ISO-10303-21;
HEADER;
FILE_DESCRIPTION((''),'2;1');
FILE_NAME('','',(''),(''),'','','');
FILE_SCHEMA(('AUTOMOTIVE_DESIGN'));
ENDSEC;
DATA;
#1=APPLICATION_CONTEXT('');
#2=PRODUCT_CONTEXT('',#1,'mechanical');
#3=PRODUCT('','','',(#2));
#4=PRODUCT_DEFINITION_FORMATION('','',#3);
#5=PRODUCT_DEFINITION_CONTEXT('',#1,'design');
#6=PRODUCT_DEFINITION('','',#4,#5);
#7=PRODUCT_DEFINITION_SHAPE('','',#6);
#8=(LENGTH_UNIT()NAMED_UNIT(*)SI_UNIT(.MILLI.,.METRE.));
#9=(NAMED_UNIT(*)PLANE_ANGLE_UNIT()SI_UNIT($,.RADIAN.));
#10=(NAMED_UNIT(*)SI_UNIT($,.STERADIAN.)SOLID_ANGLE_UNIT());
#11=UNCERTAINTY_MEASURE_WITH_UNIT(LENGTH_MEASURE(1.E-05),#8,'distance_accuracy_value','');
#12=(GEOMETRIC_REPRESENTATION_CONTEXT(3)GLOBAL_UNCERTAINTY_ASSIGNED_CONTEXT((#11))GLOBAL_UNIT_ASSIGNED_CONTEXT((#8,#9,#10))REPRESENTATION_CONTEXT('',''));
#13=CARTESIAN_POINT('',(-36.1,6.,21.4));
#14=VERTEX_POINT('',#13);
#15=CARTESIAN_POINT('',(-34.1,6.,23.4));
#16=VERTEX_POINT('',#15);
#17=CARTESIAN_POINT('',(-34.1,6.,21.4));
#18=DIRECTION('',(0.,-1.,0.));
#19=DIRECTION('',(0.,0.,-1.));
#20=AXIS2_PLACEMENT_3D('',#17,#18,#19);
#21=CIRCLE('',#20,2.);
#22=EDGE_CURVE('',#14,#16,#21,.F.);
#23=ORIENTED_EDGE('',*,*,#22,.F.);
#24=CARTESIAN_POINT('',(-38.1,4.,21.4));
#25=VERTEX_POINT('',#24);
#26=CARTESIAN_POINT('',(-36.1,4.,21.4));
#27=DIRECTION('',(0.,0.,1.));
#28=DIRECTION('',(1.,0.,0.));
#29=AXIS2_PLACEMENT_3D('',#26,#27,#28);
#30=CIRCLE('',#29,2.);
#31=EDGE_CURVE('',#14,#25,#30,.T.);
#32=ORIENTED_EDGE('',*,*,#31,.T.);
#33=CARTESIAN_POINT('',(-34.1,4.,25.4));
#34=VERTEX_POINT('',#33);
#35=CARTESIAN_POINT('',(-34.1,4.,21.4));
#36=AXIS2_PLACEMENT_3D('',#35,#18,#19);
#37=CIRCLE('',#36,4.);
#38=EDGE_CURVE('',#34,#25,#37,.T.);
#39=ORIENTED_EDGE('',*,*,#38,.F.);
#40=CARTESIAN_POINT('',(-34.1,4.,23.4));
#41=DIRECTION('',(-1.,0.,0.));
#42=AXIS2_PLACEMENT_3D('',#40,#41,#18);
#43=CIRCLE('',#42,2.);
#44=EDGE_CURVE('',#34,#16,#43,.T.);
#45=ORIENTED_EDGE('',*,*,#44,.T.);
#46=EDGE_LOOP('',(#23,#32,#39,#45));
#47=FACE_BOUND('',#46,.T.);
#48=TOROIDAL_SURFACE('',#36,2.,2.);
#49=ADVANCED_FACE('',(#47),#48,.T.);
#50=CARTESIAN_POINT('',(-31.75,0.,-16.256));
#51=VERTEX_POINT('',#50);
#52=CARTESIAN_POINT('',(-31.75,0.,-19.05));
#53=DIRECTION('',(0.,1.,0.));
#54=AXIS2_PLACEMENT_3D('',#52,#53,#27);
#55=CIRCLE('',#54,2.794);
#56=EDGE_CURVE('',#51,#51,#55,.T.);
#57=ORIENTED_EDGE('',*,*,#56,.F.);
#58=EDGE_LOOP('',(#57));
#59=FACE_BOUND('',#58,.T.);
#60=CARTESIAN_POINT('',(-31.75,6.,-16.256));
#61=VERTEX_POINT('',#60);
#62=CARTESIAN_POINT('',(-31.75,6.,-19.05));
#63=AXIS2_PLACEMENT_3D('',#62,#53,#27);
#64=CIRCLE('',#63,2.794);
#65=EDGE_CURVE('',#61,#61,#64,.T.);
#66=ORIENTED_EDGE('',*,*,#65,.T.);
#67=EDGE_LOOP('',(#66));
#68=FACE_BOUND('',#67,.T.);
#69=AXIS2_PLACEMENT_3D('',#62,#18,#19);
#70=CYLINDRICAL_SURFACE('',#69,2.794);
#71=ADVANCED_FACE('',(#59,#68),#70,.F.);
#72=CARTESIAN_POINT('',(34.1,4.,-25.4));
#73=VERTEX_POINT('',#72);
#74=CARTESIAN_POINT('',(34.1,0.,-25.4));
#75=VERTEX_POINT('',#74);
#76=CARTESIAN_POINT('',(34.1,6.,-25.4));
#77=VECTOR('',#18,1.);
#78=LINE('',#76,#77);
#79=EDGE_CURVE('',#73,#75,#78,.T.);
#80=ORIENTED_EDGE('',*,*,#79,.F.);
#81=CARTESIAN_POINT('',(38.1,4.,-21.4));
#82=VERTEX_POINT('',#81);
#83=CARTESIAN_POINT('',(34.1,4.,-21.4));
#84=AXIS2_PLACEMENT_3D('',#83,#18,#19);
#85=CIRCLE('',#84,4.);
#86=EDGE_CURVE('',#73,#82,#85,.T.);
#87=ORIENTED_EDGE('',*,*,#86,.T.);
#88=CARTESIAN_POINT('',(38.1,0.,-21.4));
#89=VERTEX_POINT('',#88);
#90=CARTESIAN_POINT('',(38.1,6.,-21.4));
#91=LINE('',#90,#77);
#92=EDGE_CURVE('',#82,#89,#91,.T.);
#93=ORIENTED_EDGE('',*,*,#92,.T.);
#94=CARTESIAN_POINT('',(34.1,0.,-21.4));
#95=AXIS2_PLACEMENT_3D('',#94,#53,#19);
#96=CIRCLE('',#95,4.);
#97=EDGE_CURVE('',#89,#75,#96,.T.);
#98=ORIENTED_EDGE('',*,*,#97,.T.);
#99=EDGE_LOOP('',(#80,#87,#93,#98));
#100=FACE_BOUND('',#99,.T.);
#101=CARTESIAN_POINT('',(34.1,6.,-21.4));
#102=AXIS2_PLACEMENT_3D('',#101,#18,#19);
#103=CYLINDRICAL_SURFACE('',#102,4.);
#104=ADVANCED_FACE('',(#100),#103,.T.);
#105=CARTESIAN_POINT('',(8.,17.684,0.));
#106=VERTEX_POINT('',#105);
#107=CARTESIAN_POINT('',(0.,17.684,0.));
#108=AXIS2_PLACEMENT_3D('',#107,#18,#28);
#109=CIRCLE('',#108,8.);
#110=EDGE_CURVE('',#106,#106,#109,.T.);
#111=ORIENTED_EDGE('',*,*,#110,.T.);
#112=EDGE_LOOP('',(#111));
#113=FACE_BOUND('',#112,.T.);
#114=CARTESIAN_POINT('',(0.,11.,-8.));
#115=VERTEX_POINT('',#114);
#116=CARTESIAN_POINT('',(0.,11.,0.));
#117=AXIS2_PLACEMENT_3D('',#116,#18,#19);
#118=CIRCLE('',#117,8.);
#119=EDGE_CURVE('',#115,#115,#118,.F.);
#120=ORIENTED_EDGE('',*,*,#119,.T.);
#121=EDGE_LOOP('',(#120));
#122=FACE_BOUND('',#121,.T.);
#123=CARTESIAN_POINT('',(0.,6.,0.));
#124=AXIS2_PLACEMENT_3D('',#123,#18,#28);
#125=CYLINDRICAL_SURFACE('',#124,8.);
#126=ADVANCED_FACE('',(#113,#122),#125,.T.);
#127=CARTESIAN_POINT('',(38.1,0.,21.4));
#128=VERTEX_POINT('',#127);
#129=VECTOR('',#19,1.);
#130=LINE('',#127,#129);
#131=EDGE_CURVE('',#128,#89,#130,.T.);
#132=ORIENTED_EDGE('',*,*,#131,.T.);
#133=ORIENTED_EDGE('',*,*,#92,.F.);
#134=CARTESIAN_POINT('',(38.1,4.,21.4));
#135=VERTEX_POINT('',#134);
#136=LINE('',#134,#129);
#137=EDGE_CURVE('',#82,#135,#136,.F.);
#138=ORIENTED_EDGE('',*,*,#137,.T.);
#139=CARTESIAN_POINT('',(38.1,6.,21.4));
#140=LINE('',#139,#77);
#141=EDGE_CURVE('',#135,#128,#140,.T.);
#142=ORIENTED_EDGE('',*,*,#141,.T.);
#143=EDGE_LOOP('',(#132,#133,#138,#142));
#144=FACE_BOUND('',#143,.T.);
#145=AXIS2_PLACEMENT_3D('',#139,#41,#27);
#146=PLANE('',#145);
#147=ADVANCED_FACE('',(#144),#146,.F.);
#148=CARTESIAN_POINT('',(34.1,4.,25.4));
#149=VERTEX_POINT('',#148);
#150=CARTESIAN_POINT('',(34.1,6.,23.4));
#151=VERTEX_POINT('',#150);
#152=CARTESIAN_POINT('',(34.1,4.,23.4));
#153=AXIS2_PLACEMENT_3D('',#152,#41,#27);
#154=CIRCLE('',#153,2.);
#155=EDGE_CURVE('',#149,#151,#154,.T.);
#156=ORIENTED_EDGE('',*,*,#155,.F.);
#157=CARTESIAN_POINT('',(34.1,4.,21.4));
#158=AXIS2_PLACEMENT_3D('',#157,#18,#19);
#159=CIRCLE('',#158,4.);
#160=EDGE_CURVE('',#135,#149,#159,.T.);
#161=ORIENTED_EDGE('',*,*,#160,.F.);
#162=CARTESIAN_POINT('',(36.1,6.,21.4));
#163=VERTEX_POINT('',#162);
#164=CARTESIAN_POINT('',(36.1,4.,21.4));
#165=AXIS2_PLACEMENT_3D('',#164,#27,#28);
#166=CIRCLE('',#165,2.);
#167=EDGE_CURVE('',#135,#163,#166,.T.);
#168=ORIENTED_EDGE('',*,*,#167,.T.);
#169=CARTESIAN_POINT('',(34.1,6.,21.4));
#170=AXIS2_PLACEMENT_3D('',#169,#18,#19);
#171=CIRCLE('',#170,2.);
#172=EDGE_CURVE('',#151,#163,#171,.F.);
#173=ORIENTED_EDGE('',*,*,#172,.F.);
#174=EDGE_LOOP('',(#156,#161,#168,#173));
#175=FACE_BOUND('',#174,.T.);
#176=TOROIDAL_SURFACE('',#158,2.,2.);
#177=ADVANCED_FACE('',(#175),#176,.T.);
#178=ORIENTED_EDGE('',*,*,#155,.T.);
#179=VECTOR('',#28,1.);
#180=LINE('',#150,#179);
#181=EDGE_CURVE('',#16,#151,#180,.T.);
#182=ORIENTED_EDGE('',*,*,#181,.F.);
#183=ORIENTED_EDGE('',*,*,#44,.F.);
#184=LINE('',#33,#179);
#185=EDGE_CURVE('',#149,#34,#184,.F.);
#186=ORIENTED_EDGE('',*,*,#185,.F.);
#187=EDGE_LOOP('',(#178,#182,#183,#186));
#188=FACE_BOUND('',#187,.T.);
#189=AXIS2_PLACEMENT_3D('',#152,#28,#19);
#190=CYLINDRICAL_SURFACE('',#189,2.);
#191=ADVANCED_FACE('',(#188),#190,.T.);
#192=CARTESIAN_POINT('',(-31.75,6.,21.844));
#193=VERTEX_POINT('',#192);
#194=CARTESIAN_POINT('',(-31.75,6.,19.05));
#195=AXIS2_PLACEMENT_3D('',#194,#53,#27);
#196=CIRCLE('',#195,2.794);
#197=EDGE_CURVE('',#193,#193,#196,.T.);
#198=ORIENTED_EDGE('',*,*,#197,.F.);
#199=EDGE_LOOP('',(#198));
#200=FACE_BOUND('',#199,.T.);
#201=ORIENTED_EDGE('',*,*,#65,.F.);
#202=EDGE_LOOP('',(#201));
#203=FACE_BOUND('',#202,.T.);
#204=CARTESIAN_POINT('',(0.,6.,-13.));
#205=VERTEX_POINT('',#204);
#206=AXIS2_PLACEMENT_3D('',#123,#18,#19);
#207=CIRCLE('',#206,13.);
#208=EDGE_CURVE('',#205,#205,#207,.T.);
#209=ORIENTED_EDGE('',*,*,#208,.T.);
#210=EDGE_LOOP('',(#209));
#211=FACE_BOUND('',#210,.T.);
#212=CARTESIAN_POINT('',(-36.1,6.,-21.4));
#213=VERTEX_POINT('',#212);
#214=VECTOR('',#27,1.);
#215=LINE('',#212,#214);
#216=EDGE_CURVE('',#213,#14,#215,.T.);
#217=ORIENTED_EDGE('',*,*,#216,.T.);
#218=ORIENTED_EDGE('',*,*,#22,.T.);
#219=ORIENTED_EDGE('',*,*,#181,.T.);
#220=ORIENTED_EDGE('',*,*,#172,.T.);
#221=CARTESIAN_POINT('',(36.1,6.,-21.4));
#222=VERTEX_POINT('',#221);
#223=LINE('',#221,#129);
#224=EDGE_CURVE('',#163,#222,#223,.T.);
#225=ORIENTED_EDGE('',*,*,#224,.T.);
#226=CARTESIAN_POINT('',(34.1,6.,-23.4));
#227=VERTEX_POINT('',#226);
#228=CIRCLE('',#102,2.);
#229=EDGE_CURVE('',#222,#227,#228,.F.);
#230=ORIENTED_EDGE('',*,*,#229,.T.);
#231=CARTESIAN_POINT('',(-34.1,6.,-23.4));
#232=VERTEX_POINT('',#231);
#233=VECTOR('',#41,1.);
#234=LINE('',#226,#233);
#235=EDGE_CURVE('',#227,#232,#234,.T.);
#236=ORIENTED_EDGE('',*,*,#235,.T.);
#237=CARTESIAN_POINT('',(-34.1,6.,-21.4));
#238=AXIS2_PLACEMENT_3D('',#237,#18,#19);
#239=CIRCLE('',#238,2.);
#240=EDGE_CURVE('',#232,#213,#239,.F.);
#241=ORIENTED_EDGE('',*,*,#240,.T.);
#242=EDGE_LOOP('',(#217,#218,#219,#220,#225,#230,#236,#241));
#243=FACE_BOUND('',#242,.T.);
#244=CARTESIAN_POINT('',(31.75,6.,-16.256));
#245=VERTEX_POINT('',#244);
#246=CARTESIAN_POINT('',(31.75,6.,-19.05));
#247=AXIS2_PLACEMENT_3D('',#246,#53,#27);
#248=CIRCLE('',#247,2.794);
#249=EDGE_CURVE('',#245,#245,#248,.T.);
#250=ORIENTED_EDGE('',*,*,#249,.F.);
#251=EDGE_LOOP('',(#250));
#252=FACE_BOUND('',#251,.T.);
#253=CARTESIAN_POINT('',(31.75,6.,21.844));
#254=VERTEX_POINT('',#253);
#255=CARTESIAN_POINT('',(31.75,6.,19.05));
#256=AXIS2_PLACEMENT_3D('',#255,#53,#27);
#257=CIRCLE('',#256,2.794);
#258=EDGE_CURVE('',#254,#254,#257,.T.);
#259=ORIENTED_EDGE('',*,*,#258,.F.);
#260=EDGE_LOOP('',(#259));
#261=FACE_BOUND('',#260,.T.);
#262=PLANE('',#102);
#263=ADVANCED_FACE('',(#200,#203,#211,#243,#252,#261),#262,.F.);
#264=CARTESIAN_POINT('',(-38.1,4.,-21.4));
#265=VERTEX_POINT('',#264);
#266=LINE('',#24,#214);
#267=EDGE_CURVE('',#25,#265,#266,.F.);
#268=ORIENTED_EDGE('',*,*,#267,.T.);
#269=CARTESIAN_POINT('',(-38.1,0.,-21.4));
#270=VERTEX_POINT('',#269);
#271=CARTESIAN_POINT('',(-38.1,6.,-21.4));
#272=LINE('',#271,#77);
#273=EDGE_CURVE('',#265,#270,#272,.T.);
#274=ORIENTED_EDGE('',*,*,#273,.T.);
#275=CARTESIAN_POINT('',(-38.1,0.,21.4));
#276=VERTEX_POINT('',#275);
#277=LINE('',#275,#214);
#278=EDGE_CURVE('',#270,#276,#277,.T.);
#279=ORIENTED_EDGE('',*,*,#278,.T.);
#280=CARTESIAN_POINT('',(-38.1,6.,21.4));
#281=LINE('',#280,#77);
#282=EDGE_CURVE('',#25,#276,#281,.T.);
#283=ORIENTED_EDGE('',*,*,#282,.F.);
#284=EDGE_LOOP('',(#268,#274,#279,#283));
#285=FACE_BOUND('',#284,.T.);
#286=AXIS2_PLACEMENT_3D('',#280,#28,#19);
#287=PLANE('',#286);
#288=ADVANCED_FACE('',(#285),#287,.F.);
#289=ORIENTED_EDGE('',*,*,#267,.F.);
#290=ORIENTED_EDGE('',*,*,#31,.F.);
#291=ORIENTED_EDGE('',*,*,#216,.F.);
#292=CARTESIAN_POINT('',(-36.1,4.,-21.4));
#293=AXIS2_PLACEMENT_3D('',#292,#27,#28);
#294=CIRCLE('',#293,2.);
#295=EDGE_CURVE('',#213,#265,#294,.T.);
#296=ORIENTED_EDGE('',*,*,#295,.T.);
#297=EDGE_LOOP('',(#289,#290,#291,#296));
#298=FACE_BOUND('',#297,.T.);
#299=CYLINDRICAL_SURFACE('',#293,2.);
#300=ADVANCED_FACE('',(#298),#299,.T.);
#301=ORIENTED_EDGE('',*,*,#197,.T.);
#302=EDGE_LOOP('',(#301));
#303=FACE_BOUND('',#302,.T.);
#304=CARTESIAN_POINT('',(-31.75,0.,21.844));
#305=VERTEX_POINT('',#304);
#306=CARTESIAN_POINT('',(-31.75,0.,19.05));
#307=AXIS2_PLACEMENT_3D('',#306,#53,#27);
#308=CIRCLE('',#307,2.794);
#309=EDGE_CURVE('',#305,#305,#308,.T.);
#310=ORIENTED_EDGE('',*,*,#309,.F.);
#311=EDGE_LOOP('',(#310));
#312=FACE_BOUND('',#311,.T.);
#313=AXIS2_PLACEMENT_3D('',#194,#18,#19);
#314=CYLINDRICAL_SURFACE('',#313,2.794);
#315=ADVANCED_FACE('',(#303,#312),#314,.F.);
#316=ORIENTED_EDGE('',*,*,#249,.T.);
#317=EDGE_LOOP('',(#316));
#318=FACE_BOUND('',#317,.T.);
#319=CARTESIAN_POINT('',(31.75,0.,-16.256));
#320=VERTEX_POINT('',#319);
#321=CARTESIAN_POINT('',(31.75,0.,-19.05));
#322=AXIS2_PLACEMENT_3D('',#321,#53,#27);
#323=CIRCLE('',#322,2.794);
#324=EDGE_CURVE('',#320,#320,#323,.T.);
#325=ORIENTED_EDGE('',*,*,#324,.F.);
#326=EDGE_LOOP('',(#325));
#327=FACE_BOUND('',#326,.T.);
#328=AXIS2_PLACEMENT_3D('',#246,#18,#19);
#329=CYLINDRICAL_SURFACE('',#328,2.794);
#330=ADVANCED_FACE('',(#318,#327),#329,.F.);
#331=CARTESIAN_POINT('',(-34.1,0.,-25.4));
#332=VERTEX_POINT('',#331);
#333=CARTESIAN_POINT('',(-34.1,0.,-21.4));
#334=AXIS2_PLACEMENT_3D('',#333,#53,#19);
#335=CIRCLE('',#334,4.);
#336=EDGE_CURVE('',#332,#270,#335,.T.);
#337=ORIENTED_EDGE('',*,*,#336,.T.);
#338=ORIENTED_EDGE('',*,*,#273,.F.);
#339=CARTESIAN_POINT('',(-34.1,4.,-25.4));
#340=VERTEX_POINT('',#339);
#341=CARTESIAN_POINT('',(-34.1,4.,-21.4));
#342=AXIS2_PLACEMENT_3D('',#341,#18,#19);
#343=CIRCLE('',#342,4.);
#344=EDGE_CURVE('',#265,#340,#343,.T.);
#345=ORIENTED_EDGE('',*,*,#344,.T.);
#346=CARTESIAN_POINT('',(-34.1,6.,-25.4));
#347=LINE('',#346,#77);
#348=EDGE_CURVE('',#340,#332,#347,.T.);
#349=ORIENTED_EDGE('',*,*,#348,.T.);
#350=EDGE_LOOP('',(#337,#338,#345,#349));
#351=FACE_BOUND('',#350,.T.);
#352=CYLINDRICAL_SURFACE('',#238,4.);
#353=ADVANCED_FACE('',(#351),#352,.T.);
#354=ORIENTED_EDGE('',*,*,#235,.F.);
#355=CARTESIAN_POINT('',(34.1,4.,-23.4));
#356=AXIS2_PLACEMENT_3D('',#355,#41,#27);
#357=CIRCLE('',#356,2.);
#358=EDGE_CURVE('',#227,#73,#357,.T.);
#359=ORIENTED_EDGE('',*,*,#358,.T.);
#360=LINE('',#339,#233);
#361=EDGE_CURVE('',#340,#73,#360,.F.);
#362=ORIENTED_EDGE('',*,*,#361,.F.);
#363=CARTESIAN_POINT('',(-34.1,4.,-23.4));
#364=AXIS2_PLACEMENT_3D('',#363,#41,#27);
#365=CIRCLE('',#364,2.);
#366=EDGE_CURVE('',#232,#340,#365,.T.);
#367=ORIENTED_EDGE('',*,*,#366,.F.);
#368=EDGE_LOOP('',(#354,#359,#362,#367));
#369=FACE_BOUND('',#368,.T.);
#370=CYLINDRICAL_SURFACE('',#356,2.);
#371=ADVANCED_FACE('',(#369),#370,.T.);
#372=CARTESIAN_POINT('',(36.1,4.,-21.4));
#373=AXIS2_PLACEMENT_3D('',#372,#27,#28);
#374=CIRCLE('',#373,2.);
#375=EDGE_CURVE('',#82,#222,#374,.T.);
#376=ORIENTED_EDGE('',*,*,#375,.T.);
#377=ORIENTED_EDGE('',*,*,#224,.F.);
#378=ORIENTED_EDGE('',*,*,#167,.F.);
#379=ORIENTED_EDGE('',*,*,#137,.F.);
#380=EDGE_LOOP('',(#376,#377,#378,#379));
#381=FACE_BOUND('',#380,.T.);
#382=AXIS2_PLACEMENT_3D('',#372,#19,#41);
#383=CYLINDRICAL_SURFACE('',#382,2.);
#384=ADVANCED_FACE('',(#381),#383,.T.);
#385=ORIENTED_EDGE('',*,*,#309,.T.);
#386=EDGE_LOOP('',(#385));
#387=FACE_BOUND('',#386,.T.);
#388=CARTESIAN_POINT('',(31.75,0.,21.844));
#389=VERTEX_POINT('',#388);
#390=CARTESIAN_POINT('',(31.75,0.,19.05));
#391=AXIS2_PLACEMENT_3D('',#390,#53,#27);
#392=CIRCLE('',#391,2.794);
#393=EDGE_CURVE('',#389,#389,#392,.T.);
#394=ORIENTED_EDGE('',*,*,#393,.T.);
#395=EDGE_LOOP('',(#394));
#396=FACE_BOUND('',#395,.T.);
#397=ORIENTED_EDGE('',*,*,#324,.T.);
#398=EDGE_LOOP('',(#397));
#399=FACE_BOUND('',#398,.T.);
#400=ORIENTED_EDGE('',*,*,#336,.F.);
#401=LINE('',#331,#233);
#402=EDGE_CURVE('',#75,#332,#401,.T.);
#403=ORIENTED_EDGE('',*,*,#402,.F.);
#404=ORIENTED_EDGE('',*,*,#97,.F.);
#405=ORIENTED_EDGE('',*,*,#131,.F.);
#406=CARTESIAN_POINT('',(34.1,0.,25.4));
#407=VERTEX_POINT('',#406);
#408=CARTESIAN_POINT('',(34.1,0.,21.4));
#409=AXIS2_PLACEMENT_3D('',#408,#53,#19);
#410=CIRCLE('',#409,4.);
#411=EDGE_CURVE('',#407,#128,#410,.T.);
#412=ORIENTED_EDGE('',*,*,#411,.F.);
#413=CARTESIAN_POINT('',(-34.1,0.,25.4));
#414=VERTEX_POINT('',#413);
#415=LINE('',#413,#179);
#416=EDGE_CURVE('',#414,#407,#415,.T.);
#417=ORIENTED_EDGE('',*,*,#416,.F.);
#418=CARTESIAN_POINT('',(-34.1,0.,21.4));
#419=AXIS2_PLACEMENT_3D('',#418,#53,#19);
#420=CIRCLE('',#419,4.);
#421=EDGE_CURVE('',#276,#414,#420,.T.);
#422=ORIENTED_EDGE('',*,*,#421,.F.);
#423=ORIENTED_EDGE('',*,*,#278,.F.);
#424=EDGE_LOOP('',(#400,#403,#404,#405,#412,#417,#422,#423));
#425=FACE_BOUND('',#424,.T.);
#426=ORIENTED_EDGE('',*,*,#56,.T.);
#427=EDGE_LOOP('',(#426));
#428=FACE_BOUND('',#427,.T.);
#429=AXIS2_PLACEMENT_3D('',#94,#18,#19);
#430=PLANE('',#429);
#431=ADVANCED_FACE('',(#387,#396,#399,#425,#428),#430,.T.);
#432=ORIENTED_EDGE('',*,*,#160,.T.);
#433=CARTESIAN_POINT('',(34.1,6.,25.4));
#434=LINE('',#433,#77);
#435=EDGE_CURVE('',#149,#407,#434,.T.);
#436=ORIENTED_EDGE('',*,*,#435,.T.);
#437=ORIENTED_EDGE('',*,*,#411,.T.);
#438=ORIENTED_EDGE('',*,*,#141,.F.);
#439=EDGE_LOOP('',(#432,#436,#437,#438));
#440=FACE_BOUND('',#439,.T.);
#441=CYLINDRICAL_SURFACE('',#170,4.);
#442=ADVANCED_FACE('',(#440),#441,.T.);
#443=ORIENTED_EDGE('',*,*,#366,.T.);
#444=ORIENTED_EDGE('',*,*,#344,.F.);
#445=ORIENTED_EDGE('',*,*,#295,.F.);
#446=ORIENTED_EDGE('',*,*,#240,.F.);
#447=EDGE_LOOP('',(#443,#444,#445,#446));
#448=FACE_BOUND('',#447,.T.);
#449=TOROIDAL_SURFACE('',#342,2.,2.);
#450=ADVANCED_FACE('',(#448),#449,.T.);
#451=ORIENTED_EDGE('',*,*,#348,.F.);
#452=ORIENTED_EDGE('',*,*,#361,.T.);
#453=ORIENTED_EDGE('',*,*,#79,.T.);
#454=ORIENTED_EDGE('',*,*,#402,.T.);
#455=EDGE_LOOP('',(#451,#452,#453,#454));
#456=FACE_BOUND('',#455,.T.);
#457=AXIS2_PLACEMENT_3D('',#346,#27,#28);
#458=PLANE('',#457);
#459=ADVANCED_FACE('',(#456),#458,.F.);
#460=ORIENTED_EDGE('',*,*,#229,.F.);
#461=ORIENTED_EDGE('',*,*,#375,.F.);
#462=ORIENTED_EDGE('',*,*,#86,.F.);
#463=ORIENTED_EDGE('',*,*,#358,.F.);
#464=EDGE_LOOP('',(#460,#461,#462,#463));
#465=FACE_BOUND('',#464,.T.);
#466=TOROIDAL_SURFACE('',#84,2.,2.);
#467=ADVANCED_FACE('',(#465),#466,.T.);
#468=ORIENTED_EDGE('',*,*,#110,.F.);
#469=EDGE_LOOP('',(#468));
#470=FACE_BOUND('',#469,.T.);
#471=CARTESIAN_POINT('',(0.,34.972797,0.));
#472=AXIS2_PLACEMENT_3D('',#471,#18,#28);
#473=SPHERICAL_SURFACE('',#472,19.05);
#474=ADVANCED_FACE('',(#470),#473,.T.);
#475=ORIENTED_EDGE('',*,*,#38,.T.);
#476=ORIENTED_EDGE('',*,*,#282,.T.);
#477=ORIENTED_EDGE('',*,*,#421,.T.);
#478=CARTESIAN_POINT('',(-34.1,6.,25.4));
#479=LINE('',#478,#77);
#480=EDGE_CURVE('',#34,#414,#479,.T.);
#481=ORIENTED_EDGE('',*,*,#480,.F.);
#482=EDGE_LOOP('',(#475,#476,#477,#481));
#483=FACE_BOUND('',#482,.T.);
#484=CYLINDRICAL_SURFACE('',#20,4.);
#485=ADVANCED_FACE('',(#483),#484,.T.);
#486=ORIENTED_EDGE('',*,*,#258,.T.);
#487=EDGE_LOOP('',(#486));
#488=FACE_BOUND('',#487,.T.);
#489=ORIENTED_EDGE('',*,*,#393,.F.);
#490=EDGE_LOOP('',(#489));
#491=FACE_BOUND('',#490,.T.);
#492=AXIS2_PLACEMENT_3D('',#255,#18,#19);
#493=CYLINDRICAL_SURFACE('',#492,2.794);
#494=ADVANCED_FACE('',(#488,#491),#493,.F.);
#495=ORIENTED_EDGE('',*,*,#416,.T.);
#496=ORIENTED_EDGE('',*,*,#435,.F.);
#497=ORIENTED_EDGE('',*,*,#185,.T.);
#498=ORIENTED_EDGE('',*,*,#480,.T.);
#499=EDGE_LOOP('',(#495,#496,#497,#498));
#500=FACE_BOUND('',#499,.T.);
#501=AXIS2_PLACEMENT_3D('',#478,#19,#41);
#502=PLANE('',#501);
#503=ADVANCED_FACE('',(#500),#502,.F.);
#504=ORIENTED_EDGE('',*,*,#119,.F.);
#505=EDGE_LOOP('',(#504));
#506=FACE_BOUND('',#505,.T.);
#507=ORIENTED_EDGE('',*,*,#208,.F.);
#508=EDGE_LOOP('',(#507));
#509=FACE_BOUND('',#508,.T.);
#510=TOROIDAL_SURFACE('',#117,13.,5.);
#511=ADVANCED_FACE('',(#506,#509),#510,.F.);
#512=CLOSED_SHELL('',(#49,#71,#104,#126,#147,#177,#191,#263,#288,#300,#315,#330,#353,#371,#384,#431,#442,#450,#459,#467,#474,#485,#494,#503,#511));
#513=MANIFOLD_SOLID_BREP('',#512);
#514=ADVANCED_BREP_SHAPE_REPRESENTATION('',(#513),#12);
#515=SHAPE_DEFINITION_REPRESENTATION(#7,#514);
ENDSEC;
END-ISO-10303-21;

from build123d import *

# Parameters (mm, degrees)
SKETCH1_R           = 2.794
BOSS_EXTRUDE1_DEPTH = 6
FILLET1_R           = 5
FILLET2_R           = 2


with BuildPart() as part:
    # Sketch1 → Boss-Extrude1 (new body)
    with BuildSketch(Plane(origin=(0, 0, 0), x_dir=(1, 0, 0), z_dir=(0, 1, 0))):
        with BuildLine():
            Line((-34.1, -25.4), (34.1, -25.4))
            ThreePointArc((34.1, -25.4), (36.928427125, -24.228427125), (38.1, -21.4))
            Line((38.1, -21.4), (38.1, 21.4))
            ThreePointArc((38.1, 21.4), (36.928427125, 24.228427125), (34.1, 25.4))
            Line((34.1, 25.4), (-34.1, 25.4))
            ThreePointArc((-34.1, 25.4), (-36.928427125, 24.228427125), (-38.1, 21.4))
            Line((-38.1, 21.4), (-38.1, -21.4))
            ThreePointArc((-38.1, -21.4), (-36.928427125, -24.228427125), (-34.1, -25.4))
        make_face()
        with Locations(Location((-31.75, 19.05, 0), (0, 0, 270))):
            Circle(SKETCH1_R, mode=Mode.SUBTRACT)
        with Locations(Location((31.75, 19.05, 0), (0, 0, 270))):
            Circle(SKETCH1_R, mode=Mode.SUBTRACT)
        with Locations(Location((31.75, -19.05, 0), (0, 0, 270))):
            Circle(SKETCH1_R, mode=Mode.SUBTRACT)
        with Locations(Location((-31.75, -19.05, 0), (0, 0, 270))):
            Circle(SKETCH1_R, mode=Mode.SUBTRACT)
    extrude(amount=BOSS_EXTRUDE1_DEPTH)

    # Sketch2 → Revolve1 (revolve)
    with BuildSketch(Plane.XY, mode=Mode.PRIVATE) as revolve1_sk:
        with BuildLine():
            Line((0, 6), (0, 54.022796951))
            ThreePointArc((0, 54.022796951), (-18.604489806, 39.068582473), (-8, 17.684))
            Line((-8, 17.684), (-8, 6))
            Line((-8, 6), (0, 6))
        make_face()
    revolve(revolve1_sk.sketch.rotate(Axis((0, 6, 0), (0, 1, 0)), 180), axis=Axis((0, 6, 0), (0, 1, 0)))

    # Fillet1
    fillet1_edges = [part.edges().sort_by_distance(p)[0] for p in [
        (-8, 6, 0),
    ]]
    fillet(fillet1_edges, radius=FILLET1_R)

    # Fillet2
    fillet2_edges = [part.edges().sort_by_distance(p)[0] for p in [
        (-36.928427125, 6, -24.228427125),
        (-38.1, 6, 0),
        (-36.928427125, 6, 24.228427125),
        (0, 6, 25.4),
        (36.928427125, 6, 24.228427125),
        (38.1, 6, 0),
        (36.928427125, 6, -24.228427125),
        (0, 6, -25.4),
    ]]
    fillet(fillet2_edges, radius=FILLET2_R)


solid = part.part
